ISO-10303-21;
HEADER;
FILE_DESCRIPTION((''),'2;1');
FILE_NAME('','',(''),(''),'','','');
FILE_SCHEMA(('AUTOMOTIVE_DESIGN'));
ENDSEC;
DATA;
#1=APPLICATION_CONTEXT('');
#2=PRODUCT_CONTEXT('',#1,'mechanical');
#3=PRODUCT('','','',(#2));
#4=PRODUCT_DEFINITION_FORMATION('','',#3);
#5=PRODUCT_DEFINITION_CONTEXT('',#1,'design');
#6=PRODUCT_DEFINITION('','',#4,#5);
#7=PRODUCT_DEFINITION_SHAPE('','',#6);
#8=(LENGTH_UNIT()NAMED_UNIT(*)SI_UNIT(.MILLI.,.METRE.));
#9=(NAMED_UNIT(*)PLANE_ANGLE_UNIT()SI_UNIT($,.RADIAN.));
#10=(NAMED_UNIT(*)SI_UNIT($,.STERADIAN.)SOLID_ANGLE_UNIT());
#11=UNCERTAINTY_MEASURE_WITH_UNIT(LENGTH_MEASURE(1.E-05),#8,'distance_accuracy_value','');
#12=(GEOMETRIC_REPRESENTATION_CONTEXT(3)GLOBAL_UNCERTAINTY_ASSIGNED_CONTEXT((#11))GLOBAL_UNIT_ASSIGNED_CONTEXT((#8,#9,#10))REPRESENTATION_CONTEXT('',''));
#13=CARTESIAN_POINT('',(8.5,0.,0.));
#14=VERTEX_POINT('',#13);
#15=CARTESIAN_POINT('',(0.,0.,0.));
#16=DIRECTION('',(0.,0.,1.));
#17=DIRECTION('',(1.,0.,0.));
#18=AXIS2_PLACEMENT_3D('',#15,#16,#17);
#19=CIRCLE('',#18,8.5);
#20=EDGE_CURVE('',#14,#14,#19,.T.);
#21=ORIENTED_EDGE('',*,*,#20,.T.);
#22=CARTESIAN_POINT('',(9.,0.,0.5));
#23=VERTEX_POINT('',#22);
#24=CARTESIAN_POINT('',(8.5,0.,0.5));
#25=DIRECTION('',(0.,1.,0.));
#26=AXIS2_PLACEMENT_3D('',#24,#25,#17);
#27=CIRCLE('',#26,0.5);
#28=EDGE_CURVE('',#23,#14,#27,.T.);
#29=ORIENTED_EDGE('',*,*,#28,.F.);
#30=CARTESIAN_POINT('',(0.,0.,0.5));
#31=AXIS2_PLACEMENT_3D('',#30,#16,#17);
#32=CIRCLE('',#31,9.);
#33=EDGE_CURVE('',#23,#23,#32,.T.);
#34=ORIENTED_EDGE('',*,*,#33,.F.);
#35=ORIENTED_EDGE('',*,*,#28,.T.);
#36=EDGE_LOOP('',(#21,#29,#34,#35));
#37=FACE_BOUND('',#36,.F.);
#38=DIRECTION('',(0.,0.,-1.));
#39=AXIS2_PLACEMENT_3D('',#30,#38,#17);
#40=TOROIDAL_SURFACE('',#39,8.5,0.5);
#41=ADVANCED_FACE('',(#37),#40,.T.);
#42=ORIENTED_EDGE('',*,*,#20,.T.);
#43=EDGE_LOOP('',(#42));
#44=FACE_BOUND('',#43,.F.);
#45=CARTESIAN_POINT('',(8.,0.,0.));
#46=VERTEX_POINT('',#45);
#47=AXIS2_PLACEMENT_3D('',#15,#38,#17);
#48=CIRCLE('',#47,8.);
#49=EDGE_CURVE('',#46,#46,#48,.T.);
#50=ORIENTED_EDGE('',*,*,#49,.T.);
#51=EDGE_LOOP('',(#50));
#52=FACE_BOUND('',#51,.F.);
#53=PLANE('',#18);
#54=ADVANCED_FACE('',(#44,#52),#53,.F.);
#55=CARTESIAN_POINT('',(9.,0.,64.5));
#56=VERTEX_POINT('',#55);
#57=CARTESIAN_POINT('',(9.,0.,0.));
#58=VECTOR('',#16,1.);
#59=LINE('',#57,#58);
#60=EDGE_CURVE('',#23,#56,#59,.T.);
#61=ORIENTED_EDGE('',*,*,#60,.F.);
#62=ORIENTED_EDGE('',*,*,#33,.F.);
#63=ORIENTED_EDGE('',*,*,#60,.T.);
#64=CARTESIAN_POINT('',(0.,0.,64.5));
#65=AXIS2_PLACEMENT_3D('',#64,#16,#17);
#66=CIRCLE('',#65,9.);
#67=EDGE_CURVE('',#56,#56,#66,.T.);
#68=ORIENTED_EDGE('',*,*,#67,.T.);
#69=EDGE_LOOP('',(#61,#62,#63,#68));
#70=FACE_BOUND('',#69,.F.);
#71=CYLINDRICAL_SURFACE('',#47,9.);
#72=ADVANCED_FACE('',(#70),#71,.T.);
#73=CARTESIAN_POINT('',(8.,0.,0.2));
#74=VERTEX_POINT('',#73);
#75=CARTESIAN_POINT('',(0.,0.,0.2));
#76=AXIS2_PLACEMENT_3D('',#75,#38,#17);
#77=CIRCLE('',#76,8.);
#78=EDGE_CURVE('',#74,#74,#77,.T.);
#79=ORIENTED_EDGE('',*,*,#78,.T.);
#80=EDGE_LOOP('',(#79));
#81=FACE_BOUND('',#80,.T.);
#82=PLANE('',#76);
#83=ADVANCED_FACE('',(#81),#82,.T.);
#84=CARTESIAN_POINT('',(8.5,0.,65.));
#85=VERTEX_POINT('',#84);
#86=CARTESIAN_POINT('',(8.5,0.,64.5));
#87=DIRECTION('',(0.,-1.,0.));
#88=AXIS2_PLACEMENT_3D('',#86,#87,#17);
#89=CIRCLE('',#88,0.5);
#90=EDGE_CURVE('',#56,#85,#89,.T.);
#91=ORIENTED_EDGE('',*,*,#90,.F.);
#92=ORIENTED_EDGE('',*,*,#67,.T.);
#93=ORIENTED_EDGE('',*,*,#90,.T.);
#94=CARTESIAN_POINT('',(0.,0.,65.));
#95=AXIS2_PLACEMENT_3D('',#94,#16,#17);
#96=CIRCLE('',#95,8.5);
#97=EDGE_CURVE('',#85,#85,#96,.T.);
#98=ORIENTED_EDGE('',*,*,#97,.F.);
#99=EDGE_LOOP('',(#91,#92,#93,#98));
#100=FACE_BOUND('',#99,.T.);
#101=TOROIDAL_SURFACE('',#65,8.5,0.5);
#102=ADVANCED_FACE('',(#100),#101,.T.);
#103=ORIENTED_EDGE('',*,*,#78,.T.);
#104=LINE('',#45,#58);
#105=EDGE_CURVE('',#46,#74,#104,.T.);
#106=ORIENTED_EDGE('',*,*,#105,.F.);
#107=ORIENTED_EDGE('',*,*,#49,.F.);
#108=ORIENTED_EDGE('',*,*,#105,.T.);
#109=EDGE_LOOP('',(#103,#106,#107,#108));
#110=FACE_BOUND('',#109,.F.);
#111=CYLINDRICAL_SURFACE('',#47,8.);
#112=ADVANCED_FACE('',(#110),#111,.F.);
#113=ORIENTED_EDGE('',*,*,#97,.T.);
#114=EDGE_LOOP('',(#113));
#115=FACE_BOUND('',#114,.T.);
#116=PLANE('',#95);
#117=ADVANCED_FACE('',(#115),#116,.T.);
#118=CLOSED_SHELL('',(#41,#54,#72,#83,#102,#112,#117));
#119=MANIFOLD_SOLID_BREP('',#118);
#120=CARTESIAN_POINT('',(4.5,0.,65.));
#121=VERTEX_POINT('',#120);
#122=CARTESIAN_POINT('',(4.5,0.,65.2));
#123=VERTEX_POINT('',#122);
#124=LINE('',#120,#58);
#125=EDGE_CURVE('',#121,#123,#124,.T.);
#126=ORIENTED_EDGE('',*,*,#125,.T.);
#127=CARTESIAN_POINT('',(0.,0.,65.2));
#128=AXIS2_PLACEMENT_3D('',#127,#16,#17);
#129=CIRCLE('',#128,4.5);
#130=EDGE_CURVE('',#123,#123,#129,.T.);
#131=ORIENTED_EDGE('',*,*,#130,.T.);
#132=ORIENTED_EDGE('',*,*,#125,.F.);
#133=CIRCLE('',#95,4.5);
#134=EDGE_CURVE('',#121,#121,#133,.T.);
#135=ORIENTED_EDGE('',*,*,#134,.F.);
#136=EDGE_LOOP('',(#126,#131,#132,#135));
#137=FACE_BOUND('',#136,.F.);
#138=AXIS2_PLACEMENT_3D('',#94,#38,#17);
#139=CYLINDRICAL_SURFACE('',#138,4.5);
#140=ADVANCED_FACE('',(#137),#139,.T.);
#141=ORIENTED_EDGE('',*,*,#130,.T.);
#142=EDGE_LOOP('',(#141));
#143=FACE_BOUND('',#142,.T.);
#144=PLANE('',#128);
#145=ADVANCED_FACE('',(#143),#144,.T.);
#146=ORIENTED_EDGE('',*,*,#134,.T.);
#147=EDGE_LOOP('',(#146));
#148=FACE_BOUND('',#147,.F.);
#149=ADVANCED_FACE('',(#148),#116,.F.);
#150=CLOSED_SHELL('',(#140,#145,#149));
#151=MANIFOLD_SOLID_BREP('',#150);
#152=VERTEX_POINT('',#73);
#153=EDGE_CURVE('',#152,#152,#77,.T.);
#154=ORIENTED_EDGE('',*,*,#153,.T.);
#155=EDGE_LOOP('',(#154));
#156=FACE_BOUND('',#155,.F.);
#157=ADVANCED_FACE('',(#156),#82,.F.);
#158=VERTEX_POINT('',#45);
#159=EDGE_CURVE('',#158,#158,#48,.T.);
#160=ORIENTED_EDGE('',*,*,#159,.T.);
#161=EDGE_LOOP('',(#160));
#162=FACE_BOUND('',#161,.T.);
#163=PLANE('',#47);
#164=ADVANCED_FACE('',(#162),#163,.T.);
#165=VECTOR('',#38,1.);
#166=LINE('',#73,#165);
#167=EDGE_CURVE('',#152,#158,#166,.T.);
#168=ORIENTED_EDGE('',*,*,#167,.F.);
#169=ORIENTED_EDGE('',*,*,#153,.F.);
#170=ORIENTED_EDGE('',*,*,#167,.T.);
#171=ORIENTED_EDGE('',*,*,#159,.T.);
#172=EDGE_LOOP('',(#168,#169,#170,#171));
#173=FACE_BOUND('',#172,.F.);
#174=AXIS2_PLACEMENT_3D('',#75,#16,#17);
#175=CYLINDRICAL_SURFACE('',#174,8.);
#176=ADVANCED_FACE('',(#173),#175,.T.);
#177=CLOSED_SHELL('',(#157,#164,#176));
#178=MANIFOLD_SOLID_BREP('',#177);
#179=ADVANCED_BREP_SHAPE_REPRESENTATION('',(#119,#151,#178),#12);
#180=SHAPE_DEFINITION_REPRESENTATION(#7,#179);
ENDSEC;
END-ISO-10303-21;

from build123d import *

# Parameters (mm, degrees)
F0_R     = 9
F1_DEPTH = 65
F2_R     = 4.5
F3_DEPTH = 0.2
F4_R     = 8
F5_DEPTH = 0.2
F6_R     = 8
F7_DEPTH = 0.2
F8_R     = 0.5


with BuildPart() as f1:
    # F0 (on Top) → F1 (new body)
    with BuildSketch(Plane.XY):
        Circle(F0_R)
    extrude(amount=F1_DEPTH)

    # F4 (on face) → F5 (cut)
    with BuildSketch(Plane(origin=(0, 0, 0), x_dir=(1, 0, 0), z_dir=(0, 0, -1))):
        Circle(F4_R)
    extrude(amount=-F5_DEPTH, mode=Mode.SUBTRACT)

    # F8
    f8_edges = [f1.edges().sort_by_distance(p)[0] for p in [
        (-9, 0, 65),
        (-9, 0, 0),
    ]]
    fillet(f8_edges, radius=F8_R)


with BuildPart() as f3:
    # F2 (on face) → F3 (new body)
    with BuildSketch(Plane.XY.offset(65)):
        Circle(F2_R)
    extrude(amount=F3_DEPTH)


with BuildPart() as f7:
    # F6 (on face) → F7 (new body)
    with BuildSketch(Plane(origin=(0, 0, 0.2), x_dir=(1, 0, 0), z_dir=(0, 0, -1))):
        Circle(F6_R)
    extrude(amount=F7_DEPTH)


solid = Compound([f1.part, f3.part, f7.part])
